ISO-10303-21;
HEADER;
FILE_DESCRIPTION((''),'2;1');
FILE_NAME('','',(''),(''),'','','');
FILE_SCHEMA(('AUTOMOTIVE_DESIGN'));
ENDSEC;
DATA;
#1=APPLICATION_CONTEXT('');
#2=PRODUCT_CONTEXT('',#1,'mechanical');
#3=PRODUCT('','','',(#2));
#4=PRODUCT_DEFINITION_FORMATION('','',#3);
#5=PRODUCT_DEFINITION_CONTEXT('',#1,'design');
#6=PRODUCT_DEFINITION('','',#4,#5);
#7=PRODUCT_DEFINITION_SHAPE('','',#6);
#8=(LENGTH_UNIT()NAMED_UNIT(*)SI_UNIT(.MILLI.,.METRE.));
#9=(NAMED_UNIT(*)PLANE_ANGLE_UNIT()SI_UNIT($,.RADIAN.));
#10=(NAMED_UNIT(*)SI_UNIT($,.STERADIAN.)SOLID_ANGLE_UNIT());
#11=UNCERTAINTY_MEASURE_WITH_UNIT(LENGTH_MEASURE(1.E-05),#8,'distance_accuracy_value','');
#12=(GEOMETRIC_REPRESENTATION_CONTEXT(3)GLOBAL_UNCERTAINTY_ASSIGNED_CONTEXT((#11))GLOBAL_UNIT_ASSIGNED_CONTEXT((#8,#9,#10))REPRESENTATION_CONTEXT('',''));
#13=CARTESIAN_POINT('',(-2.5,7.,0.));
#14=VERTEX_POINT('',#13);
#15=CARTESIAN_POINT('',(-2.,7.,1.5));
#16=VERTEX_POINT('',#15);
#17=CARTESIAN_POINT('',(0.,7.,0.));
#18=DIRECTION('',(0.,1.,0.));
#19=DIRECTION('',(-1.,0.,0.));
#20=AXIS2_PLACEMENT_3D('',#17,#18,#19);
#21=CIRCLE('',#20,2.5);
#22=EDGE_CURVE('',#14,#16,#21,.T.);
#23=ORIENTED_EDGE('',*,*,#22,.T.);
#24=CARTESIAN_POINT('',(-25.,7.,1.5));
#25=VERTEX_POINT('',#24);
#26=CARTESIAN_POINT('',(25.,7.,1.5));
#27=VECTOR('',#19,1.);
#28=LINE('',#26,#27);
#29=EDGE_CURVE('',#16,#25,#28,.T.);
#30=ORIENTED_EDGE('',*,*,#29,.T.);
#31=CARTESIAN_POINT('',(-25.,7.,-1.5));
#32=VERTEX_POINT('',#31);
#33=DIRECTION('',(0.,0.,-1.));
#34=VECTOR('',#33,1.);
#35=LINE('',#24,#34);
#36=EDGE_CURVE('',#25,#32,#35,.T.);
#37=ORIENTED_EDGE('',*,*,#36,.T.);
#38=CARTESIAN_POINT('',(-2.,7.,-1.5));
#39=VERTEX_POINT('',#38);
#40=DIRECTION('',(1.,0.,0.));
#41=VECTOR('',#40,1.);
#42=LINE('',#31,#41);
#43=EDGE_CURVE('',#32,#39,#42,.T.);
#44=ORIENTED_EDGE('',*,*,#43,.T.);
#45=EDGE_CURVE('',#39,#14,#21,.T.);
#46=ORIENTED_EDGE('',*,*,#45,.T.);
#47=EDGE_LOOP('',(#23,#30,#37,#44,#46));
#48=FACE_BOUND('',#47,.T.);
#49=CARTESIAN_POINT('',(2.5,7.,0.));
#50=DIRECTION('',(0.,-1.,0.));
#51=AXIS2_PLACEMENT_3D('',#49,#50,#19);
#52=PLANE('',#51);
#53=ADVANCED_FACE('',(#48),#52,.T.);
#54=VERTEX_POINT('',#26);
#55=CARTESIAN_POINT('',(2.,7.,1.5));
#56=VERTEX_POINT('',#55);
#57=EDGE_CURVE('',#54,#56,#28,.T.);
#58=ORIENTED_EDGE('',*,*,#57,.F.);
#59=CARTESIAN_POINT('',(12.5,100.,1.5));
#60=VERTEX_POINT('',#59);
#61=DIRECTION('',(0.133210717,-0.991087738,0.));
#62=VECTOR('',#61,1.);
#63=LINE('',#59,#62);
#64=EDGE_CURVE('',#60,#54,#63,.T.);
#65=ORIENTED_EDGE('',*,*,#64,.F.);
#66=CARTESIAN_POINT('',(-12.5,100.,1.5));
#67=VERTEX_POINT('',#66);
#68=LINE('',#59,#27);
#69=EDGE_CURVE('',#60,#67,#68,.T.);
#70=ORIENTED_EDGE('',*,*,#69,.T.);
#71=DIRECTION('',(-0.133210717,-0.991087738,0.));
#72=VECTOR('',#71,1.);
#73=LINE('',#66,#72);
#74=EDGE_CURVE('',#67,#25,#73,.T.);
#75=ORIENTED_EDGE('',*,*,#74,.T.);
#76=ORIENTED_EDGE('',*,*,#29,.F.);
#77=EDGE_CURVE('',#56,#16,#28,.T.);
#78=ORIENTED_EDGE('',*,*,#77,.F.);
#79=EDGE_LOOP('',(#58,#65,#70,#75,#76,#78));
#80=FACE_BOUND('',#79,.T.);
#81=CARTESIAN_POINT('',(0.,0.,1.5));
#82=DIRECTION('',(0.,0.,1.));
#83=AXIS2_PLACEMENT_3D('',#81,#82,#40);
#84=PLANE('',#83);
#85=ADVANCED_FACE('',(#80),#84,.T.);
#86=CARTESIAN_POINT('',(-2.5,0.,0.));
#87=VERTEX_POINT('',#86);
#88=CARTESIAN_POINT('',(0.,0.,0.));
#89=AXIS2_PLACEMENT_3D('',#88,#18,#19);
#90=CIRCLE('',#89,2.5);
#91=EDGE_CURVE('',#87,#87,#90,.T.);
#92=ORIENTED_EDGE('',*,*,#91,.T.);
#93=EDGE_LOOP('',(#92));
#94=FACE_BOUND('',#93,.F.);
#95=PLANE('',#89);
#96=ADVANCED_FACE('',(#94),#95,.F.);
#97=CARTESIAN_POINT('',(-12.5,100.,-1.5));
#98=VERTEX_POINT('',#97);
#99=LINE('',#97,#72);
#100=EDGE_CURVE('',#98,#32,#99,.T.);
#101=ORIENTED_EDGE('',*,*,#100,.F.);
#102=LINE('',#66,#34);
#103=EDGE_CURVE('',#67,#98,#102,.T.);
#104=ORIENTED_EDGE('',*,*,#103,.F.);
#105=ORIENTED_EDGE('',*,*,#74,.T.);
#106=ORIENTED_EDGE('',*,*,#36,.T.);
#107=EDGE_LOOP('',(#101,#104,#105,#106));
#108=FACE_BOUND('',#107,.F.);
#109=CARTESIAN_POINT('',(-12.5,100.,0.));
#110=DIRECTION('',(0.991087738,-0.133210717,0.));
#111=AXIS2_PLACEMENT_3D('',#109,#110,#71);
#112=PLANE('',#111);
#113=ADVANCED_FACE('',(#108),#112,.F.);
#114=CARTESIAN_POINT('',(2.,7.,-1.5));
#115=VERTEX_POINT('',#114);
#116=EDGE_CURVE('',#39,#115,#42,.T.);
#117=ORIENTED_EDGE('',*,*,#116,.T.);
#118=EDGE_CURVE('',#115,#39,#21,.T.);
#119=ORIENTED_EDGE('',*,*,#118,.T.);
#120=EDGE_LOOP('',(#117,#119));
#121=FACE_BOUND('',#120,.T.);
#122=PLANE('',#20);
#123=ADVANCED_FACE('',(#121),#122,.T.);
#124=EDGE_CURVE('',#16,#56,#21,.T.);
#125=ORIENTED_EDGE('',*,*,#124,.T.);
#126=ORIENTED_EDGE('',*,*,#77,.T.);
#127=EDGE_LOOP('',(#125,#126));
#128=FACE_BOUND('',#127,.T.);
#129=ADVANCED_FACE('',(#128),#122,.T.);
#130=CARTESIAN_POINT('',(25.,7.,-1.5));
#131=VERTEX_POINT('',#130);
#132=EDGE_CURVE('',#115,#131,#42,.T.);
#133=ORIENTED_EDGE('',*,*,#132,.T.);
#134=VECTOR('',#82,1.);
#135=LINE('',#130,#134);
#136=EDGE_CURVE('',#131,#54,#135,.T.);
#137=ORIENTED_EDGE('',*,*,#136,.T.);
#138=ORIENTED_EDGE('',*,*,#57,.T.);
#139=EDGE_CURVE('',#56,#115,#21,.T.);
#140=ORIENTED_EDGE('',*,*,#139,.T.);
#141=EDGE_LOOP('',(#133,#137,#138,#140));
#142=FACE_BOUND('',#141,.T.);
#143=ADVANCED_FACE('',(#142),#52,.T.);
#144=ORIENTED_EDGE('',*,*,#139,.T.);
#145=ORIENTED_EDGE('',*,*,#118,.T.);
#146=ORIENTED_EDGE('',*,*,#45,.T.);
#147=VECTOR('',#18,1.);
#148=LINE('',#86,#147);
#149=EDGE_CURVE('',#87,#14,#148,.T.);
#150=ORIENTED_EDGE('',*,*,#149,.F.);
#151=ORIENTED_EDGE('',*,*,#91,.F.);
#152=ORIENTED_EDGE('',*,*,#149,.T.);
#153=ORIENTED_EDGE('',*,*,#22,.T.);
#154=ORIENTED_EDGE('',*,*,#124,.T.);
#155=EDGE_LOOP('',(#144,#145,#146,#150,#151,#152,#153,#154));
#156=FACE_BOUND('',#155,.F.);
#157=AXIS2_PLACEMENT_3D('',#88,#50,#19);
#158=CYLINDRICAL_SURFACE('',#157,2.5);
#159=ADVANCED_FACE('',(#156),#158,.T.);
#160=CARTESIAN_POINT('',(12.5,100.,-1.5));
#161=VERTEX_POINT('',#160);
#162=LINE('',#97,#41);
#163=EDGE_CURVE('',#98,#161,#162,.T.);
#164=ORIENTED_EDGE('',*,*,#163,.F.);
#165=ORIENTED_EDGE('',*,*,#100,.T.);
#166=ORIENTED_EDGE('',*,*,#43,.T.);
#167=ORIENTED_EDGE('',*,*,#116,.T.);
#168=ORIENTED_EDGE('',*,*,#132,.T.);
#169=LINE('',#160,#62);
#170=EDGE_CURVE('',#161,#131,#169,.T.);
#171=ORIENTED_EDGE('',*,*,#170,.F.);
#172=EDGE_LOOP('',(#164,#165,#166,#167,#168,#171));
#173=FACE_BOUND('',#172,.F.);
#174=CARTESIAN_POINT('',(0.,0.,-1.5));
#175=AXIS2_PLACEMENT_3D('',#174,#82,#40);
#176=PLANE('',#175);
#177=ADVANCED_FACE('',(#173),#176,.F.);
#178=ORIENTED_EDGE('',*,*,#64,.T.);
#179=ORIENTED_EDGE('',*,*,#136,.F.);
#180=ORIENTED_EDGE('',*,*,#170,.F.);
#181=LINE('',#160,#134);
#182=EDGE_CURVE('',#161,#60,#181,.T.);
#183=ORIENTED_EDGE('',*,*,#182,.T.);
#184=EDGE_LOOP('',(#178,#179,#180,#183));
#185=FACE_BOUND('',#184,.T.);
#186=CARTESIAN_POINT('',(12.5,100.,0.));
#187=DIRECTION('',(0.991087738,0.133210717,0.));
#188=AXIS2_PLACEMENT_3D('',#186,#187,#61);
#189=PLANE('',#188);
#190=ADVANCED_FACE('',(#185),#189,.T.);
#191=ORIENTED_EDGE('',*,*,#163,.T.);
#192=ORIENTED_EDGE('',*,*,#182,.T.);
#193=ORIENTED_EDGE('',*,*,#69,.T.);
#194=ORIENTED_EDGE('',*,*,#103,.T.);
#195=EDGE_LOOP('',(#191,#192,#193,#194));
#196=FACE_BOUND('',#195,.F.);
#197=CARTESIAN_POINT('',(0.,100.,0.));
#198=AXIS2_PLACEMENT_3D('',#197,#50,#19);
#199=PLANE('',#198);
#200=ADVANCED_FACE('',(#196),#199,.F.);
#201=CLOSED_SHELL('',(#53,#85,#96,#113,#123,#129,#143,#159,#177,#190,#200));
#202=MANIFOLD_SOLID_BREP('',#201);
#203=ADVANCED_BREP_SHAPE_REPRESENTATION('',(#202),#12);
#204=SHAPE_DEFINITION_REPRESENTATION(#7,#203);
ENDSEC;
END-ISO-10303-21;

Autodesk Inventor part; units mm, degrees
ref_plane "YZ Plane" through (0, 0, 0) normal (1, 0, 0) x (0, 1, 0)
ref_plane "XZ Plane" through (0, 0, 0) normal (0, 1, 0) x (-1, 0, 0)
ref_plane "XY Plane" through (0, 0, 0) normal (0, 0, 1) x (1, 0, 0)
sketch "Эскиз1" plane through (0, 0, 0) normal (0, 1, 0) x (-1, 0, 0)
  circle A0 centre (0, 0) radius 2.5
  dimension "d0" = 5
extrude "Выдавливание1" add sketch "Эскиз1" along normal blind 7
sketch "Эскиз2" plane through (0, 0, 0) normal (0, 0, 1) x (1, 0, 0)
  line L0 (2.5, 7) -> (-2.5, 7) projected
  line L1 (0, 7) -> (25, 7)
  line L2 (0, 7) -> (0, 100) construction
  line L3 (0, 100) -> (12.5, 100)
  line L4 (12.5, 100) -> (25, 7)
  line L5 (0, 7) -> (-25, 7)
  line L6 (0, 100) -> (-12.5, 100)
  line L7 (-12.5, 100) -> (-25, 7)
  point P0 (0, 0)
  dimension "d3" = 25
  dimension "d4" = 93
extrude "Выдавливание2" add sketch "Эскиз2" along normal mid plane 3
properties part number "Антенна"
